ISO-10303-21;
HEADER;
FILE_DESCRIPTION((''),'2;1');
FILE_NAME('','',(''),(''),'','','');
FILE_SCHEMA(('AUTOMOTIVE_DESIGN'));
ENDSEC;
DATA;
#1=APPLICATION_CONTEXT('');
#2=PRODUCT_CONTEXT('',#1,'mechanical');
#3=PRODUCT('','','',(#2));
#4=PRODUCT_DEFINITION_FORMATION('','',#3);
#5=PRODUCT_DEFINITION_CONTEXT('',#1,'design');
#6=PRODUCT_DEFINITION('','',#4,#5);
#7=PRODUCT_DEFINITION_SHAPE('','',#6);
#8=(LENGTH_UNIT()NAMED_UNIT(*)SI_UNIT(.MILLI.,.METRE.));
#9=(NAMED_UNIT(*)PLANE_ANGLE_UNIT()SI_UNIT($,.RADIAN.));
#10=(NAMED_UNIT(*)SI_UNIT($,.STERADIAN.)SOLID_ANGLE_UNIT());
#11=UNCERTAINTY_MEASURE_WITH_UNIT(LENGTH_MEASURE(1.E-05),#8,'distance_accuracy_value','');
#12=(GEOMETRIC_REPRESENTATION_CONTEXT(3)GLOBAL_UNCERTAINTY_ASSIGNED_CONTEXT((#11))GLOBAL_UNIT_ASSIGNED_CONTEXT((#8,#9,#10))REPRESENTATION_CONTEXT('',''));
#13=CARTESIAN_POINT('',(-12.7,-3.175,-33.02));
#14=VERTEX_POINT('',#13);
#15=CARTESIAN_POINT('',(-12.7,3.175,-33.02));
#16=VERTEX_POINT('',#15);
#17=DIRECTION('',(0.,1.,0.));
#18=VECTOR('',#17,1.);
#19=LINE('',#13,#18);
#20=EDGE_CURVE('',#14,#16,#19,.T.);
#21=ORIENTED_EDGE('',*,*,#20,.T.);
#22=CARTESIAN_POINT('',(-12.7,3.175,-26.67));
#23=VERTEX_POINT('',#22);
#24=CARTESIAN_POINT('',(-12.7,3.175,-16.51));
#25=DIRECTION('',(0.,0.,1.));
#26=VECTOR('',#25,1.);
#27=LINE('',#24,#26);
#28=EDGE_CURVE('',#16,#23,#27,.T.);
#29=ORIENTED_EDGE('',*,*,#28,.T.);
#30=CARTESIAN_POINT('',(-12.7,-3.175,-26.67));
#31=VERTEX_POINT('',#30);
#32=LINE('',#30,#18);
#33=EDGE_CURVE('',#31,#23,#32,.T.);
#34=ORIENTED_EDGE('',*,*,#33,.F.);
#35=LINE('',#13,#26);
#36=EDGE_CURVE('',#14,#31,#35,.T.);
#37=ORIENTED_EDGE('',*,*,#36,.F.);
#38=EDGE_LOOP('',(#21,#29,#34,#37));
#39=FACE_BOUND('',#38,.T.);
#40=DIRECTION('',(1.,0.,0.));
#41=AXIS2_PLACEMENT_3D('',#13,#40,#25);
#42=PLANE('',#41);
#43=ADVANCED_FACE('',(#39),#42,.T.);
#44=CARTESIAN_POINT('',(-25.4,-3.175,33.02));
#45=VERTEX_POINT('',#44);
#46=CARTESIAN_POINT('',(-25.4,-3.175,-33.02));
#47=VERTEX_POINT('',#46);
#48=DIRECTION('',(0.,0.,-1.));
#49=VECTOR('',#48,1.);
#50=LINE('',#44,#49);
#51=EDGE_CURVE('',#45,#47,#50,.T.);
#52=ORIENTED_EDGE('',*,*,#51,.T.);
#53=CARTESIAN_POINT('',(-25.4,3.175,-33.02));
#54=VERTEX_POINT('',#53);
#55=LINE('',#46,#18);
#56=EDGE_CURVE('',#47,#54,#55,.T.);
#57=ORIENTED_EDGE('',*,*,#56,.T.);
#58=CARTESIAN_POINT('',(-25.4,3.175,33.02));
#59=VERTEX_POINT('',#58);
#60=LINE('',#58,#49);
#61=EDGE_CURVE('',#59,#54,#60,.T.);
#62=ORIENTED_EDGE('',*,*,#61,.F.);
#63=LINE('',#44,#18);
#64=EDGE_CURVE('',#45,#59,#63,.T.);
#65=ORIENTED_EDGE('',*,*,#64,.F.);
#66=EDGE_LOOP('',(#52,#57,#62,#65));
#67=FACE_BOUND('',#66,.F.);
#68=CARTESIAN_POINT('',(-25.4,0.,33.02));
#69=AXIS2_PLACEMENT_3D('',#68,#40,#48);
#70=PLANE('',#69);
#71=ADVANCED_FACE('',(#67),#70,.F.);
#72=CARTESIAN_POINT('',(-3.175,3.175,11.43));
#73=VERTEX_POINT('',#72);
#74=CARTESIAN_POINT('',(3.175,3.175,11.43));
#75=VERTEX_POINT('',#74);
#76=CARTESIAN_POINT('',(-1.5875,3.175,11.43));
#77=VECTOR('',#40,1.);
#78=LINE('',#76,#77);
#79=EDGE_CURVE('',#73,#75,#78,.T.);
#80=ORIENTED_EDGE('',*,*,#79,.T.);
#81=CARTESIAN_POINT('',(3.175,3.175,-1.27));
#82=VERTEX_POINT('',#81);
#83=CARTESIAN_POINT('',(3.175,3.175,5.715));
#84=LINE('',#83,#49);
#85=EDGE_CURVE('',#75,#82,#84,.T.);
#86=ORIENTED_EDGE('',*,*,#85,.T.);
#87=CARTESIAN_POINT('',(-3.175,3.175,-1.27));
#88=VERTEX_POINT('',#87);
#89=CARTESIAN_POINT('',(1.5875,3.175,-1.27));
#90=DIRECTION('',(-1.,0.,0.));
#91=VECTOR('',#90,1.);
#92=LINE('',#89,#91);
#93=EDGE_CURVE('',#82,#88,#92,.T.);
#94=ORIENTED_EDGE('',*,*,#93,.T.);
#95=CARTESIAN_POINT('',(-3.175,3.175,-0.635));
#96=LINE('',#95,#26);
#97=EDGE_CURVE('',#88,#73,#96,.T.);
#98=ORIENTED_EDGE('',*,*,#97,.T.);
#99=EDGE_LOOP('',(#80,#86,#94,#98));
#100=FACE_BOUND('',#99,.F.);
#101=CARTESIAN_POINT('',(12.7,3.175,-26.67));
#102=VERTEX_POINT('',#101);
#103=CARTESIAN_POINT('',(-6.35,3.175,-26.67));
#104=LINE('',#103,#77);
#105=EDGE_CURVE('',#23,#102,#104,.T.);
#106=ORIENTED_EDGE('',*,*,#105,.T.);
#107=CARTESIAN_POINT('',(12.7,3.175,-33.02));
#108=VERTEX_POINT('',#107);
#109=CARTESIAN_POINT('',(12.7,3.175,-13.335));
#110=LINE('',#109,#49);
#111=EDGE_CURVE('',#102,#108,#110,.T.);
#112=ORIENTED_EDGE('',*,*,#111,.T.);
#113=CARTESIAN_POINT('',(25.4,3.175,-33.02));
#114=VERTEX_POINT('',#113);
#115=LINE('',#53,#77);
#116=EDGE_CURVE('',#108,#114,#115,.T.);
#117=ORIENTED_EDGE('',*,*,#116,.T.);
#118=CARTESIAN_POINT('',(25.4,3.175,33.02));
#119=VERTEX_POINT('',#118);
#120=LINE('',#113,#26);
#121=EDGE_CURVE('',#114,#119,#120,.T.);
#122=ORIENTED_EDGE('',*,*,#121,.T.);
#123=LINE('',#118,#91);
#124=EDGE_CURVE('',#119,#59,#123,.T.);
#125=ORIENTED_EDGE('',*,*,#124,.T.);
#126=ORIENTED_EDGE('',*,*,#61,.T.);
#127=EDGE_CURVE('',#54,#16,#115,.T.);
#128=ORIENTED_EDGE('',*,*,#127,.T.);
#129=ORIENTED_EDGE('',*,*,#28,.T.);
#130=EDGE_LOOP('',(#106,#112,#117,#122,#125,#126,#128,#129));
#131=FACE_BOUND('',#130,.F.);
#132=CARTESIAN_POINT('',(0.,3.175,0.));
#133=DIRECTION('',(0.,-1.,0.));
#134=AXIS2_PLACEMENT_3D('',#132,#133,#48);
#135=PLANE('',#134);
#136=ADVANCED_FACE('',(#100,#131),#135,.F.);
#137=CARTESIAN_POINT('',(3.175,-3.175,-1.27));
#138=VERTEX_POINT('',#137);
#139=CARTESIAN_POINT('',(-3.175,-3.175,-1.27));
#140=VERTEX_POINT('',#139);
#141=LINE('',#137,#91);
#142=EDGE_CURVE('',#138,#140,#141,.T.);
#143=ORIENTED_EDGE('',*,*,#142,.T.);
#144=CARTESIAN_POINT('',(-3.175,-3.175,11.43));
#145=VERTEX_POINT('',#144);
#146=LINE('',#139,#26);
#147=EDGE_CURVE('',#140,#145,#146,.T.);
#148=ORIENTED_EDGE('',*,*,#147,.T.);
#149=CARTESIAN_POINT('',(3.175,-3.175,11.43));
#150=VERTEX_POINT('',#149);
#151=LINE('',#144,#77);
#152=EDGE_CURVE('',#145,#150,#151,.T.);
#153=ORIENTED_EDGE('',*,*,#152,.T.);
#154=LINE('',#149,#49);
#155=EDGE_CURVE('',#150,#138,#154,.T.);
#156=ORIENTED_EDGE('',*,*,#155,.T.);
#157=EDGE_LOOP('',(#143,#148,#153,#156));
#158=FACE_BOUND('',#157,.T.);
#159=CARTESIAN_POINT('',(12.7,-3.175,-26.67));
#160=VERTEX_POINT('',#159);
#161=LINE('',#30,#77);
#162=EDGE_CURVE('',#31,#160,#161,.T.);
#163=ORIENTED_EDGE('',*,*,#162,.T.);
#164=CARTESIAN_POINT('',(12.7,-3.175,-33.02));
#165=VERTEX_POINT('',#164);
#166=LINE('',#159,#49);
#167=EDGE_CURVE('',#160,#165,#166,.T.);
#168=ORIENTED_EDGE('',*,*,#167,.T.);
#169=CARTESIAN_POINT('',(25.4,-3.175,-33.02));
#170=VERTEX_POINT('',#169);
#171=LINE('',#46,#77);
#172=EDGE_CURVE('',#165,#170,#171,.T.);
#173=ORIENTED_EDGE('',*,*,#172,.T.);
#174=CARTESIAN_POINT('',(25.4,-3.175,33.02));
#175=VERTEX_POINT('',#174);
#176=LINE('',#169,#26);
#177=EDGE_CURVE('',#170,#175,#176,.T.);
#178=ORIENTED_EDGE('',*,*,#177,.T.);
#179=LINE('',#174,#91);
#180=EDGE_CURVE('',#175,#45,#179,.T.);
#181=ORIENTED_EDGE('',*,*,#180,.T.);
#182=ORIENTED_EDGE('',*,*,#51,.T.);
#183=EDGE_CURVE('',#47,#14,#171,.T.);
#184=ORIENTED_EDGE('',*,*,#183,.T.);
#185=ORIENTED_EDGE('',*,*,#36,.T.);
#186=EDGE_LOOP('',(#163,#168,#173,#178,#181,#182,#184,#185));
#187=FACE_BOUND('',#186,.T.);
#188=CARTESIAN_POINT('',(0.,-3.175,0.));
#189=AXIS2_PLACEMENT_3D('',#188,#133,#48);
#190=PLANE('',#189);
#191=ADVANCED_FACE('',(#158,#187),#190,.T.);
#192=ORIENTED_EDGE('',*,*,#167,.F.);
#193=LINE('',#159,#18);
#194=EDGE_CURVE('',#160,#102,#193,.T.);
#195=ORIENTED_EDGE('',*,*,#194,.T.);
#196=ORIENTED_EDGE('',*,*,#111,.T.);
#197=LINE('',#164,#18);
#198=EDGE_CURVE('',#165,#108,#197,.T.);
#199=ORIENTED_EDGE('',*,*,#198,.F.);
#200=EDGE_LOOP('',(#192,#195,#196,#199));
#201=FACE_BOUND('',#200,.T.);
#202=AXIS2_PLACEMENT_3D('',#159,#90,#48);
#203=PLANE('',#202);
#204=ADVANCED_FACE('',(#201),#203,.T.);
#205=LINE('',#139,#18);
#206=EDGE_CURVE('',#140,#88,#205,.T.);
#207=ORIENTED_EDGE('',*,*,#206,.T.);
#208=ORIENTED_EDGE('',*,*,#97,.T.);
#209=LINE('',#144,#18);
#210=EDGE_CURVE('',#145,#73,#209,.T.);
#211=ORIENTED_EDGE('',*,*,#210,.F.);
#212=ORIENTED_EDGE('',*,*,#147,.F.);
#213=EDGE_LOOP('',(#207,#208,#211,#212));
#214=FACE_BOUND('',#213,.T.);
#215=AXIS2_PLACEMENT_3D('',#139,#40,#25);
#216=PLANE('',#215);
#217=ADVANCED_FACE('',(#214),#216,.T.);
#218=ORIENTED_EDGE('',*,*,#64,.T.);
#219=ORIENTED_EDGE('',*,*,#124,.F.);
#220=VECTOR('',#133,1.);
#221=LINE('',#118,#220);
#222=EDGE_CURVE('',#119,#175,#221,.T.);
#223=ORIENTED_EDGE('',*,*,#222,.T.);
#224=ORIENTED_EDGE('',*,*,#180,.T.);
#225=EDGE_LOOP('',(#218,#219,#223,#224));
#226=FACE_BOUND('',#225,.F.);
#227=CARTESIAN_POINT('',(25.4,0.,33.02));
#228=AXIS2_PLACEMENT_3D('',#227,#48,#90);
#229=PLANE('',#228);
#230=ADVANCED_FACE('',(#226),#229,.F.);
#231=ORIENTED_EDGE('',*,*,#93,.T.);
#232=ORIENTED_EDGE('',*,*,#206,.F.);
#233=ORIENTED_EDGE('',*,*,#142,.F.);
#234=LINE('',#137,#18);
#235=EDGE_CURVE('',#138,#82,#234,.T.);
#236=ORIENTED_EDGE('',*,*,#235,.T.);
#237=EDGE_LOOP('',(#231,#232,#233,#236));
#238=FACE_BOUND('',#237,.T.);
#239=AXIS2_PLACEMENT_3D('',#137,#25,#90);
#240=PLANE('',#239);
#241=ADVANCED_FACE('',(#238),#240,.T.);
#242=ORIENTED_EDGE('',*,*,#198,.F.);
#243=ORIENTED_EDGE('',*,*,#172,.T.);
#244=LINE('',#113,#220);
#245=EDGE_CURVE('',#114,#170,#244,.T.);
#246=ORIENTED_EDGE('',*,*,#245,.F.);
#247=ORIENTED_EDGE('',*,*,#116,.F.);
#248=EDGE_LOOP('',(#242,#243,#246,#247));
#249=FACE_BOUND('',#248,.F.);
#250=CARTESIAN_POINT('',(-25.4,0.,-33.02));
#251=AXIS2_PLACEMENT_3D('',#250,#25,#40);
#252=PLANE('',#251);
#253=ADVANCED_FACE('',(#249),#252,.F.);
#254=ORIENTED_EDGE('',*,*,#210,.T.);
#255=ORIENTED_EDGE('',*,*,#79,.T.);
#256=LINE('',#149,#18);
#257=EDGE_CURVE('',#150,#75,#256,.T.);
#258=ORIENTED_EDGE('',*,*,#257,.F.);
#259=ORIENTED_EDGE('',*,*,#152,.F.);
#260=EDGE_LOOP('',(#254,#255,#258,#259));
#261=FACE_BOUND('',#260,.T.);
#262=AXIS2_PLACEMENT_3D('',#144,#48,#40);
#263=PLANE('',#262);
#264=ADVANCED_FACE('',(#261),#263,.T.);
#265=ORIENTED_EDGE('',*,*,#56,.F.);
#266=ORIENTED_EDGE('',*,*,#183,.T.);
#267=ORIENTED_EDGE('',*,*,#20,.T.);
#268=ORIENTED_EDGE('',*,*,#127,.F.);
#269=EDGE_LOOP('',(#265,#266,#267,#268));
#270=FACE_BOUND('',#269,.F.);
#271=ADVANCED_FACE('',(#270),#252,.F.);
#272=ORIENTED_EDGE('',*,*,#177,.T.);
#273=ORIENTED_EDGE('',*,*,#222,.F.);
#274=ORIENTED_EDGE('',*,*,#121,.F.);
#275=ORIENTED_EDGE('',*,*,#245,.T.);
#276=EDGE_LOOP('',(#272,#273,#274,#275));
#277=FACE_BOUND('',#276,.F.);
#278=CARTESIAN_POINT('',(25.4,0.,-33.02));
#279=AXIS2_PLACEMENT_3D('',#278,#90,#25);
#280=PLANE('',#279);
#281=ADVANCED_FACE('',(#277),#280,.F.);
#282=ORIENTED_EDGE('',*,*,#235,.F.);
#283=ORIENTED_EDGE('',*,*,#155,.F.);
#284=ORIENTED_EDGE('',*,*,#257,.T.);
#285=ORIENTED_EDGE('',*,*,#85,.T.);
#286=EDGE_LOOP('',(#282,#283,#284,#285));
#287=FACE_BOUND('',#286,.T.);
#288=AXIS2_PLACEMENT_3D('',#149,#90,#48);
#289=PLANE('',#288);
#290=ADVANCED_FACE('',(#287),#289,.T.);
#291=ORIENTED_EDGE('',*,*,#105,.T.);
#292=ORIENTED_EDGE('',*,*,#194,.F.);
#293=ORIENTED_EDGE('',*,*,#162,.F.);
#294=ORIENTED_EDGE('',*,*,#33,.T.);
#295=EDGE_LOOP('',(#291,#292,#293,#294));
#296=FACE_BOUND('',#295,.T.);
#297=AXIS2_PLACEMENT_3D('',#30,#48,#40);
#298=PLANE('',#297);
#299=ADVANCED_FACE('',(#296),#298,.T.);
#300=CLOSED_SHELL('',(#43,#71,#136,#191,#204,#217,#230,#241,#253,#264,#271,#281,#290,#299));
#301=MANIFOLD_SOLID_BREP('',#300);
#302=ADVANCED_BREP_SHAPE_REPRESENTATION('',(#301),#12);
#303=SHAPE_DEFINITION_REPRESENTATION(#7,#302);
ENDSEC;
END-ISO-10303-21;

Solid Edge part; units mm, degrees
sketch "Sketch1" plane through (0, 0, 0) normal (0, -1, 0) x (1, 0, 0)
  line L0 (-25.4, -33.02) -> (25.4, -33.02)
  line L1 (25.4, -33.02) -> (25.4, 33.02)
  line L2 (25.4, 33.02) -> (-25.4, 33.02)
  line L3 (-25.4, 33.02) -> (-25.4, -33.02)
  dimension "D1" = 66.04
  dimension "D2" = 50.8
extrude "ExtrudedProtrusion_1" add sketch "Sketch1" along normal mid plane 6.35
sketch "Sketch2" plane through (0, -3.175, 0) normal (0, -1, 0) x (1, 0, 0)
  line L0 (-12.7, -26.67) -> (12.7, -26.67)
  line L1 (12.7, -26.67) -> (12.7, -33.02)
  line L2 (12.7, -33.02) -> (-12.7, -33.02)
  line L3 (-12.7, -33.02) -> (-12.7, -26.67)
  dimension "D1" = 12.7
  dimension "D2" = 6.35
extrude "Cutout1" cut sketch "Sketch2" against normal through all
sketch "Sketch3" plane through (0, -3.175, 0) normal (0, -1, 0) x (1, 0, 0)
  line L0 (-3.175, 11.43) -> (3.175, 11.43)
  line L1 (3.175, 11.43) -> (3.175, -1.27)
  line L2 (3.175, -1.27) -> (-3.175, -1.27)
  line L3 (-3.175, -1.27) -> (-3.175, 11.43)
  dimension "D1" = 25.4
  dimension "D2" = 6.35
  dimension "D3" = 12.7
extrude "Cutout2" cut sketch "Sketch3" against normal through all
properties material "ABS PLUS"
